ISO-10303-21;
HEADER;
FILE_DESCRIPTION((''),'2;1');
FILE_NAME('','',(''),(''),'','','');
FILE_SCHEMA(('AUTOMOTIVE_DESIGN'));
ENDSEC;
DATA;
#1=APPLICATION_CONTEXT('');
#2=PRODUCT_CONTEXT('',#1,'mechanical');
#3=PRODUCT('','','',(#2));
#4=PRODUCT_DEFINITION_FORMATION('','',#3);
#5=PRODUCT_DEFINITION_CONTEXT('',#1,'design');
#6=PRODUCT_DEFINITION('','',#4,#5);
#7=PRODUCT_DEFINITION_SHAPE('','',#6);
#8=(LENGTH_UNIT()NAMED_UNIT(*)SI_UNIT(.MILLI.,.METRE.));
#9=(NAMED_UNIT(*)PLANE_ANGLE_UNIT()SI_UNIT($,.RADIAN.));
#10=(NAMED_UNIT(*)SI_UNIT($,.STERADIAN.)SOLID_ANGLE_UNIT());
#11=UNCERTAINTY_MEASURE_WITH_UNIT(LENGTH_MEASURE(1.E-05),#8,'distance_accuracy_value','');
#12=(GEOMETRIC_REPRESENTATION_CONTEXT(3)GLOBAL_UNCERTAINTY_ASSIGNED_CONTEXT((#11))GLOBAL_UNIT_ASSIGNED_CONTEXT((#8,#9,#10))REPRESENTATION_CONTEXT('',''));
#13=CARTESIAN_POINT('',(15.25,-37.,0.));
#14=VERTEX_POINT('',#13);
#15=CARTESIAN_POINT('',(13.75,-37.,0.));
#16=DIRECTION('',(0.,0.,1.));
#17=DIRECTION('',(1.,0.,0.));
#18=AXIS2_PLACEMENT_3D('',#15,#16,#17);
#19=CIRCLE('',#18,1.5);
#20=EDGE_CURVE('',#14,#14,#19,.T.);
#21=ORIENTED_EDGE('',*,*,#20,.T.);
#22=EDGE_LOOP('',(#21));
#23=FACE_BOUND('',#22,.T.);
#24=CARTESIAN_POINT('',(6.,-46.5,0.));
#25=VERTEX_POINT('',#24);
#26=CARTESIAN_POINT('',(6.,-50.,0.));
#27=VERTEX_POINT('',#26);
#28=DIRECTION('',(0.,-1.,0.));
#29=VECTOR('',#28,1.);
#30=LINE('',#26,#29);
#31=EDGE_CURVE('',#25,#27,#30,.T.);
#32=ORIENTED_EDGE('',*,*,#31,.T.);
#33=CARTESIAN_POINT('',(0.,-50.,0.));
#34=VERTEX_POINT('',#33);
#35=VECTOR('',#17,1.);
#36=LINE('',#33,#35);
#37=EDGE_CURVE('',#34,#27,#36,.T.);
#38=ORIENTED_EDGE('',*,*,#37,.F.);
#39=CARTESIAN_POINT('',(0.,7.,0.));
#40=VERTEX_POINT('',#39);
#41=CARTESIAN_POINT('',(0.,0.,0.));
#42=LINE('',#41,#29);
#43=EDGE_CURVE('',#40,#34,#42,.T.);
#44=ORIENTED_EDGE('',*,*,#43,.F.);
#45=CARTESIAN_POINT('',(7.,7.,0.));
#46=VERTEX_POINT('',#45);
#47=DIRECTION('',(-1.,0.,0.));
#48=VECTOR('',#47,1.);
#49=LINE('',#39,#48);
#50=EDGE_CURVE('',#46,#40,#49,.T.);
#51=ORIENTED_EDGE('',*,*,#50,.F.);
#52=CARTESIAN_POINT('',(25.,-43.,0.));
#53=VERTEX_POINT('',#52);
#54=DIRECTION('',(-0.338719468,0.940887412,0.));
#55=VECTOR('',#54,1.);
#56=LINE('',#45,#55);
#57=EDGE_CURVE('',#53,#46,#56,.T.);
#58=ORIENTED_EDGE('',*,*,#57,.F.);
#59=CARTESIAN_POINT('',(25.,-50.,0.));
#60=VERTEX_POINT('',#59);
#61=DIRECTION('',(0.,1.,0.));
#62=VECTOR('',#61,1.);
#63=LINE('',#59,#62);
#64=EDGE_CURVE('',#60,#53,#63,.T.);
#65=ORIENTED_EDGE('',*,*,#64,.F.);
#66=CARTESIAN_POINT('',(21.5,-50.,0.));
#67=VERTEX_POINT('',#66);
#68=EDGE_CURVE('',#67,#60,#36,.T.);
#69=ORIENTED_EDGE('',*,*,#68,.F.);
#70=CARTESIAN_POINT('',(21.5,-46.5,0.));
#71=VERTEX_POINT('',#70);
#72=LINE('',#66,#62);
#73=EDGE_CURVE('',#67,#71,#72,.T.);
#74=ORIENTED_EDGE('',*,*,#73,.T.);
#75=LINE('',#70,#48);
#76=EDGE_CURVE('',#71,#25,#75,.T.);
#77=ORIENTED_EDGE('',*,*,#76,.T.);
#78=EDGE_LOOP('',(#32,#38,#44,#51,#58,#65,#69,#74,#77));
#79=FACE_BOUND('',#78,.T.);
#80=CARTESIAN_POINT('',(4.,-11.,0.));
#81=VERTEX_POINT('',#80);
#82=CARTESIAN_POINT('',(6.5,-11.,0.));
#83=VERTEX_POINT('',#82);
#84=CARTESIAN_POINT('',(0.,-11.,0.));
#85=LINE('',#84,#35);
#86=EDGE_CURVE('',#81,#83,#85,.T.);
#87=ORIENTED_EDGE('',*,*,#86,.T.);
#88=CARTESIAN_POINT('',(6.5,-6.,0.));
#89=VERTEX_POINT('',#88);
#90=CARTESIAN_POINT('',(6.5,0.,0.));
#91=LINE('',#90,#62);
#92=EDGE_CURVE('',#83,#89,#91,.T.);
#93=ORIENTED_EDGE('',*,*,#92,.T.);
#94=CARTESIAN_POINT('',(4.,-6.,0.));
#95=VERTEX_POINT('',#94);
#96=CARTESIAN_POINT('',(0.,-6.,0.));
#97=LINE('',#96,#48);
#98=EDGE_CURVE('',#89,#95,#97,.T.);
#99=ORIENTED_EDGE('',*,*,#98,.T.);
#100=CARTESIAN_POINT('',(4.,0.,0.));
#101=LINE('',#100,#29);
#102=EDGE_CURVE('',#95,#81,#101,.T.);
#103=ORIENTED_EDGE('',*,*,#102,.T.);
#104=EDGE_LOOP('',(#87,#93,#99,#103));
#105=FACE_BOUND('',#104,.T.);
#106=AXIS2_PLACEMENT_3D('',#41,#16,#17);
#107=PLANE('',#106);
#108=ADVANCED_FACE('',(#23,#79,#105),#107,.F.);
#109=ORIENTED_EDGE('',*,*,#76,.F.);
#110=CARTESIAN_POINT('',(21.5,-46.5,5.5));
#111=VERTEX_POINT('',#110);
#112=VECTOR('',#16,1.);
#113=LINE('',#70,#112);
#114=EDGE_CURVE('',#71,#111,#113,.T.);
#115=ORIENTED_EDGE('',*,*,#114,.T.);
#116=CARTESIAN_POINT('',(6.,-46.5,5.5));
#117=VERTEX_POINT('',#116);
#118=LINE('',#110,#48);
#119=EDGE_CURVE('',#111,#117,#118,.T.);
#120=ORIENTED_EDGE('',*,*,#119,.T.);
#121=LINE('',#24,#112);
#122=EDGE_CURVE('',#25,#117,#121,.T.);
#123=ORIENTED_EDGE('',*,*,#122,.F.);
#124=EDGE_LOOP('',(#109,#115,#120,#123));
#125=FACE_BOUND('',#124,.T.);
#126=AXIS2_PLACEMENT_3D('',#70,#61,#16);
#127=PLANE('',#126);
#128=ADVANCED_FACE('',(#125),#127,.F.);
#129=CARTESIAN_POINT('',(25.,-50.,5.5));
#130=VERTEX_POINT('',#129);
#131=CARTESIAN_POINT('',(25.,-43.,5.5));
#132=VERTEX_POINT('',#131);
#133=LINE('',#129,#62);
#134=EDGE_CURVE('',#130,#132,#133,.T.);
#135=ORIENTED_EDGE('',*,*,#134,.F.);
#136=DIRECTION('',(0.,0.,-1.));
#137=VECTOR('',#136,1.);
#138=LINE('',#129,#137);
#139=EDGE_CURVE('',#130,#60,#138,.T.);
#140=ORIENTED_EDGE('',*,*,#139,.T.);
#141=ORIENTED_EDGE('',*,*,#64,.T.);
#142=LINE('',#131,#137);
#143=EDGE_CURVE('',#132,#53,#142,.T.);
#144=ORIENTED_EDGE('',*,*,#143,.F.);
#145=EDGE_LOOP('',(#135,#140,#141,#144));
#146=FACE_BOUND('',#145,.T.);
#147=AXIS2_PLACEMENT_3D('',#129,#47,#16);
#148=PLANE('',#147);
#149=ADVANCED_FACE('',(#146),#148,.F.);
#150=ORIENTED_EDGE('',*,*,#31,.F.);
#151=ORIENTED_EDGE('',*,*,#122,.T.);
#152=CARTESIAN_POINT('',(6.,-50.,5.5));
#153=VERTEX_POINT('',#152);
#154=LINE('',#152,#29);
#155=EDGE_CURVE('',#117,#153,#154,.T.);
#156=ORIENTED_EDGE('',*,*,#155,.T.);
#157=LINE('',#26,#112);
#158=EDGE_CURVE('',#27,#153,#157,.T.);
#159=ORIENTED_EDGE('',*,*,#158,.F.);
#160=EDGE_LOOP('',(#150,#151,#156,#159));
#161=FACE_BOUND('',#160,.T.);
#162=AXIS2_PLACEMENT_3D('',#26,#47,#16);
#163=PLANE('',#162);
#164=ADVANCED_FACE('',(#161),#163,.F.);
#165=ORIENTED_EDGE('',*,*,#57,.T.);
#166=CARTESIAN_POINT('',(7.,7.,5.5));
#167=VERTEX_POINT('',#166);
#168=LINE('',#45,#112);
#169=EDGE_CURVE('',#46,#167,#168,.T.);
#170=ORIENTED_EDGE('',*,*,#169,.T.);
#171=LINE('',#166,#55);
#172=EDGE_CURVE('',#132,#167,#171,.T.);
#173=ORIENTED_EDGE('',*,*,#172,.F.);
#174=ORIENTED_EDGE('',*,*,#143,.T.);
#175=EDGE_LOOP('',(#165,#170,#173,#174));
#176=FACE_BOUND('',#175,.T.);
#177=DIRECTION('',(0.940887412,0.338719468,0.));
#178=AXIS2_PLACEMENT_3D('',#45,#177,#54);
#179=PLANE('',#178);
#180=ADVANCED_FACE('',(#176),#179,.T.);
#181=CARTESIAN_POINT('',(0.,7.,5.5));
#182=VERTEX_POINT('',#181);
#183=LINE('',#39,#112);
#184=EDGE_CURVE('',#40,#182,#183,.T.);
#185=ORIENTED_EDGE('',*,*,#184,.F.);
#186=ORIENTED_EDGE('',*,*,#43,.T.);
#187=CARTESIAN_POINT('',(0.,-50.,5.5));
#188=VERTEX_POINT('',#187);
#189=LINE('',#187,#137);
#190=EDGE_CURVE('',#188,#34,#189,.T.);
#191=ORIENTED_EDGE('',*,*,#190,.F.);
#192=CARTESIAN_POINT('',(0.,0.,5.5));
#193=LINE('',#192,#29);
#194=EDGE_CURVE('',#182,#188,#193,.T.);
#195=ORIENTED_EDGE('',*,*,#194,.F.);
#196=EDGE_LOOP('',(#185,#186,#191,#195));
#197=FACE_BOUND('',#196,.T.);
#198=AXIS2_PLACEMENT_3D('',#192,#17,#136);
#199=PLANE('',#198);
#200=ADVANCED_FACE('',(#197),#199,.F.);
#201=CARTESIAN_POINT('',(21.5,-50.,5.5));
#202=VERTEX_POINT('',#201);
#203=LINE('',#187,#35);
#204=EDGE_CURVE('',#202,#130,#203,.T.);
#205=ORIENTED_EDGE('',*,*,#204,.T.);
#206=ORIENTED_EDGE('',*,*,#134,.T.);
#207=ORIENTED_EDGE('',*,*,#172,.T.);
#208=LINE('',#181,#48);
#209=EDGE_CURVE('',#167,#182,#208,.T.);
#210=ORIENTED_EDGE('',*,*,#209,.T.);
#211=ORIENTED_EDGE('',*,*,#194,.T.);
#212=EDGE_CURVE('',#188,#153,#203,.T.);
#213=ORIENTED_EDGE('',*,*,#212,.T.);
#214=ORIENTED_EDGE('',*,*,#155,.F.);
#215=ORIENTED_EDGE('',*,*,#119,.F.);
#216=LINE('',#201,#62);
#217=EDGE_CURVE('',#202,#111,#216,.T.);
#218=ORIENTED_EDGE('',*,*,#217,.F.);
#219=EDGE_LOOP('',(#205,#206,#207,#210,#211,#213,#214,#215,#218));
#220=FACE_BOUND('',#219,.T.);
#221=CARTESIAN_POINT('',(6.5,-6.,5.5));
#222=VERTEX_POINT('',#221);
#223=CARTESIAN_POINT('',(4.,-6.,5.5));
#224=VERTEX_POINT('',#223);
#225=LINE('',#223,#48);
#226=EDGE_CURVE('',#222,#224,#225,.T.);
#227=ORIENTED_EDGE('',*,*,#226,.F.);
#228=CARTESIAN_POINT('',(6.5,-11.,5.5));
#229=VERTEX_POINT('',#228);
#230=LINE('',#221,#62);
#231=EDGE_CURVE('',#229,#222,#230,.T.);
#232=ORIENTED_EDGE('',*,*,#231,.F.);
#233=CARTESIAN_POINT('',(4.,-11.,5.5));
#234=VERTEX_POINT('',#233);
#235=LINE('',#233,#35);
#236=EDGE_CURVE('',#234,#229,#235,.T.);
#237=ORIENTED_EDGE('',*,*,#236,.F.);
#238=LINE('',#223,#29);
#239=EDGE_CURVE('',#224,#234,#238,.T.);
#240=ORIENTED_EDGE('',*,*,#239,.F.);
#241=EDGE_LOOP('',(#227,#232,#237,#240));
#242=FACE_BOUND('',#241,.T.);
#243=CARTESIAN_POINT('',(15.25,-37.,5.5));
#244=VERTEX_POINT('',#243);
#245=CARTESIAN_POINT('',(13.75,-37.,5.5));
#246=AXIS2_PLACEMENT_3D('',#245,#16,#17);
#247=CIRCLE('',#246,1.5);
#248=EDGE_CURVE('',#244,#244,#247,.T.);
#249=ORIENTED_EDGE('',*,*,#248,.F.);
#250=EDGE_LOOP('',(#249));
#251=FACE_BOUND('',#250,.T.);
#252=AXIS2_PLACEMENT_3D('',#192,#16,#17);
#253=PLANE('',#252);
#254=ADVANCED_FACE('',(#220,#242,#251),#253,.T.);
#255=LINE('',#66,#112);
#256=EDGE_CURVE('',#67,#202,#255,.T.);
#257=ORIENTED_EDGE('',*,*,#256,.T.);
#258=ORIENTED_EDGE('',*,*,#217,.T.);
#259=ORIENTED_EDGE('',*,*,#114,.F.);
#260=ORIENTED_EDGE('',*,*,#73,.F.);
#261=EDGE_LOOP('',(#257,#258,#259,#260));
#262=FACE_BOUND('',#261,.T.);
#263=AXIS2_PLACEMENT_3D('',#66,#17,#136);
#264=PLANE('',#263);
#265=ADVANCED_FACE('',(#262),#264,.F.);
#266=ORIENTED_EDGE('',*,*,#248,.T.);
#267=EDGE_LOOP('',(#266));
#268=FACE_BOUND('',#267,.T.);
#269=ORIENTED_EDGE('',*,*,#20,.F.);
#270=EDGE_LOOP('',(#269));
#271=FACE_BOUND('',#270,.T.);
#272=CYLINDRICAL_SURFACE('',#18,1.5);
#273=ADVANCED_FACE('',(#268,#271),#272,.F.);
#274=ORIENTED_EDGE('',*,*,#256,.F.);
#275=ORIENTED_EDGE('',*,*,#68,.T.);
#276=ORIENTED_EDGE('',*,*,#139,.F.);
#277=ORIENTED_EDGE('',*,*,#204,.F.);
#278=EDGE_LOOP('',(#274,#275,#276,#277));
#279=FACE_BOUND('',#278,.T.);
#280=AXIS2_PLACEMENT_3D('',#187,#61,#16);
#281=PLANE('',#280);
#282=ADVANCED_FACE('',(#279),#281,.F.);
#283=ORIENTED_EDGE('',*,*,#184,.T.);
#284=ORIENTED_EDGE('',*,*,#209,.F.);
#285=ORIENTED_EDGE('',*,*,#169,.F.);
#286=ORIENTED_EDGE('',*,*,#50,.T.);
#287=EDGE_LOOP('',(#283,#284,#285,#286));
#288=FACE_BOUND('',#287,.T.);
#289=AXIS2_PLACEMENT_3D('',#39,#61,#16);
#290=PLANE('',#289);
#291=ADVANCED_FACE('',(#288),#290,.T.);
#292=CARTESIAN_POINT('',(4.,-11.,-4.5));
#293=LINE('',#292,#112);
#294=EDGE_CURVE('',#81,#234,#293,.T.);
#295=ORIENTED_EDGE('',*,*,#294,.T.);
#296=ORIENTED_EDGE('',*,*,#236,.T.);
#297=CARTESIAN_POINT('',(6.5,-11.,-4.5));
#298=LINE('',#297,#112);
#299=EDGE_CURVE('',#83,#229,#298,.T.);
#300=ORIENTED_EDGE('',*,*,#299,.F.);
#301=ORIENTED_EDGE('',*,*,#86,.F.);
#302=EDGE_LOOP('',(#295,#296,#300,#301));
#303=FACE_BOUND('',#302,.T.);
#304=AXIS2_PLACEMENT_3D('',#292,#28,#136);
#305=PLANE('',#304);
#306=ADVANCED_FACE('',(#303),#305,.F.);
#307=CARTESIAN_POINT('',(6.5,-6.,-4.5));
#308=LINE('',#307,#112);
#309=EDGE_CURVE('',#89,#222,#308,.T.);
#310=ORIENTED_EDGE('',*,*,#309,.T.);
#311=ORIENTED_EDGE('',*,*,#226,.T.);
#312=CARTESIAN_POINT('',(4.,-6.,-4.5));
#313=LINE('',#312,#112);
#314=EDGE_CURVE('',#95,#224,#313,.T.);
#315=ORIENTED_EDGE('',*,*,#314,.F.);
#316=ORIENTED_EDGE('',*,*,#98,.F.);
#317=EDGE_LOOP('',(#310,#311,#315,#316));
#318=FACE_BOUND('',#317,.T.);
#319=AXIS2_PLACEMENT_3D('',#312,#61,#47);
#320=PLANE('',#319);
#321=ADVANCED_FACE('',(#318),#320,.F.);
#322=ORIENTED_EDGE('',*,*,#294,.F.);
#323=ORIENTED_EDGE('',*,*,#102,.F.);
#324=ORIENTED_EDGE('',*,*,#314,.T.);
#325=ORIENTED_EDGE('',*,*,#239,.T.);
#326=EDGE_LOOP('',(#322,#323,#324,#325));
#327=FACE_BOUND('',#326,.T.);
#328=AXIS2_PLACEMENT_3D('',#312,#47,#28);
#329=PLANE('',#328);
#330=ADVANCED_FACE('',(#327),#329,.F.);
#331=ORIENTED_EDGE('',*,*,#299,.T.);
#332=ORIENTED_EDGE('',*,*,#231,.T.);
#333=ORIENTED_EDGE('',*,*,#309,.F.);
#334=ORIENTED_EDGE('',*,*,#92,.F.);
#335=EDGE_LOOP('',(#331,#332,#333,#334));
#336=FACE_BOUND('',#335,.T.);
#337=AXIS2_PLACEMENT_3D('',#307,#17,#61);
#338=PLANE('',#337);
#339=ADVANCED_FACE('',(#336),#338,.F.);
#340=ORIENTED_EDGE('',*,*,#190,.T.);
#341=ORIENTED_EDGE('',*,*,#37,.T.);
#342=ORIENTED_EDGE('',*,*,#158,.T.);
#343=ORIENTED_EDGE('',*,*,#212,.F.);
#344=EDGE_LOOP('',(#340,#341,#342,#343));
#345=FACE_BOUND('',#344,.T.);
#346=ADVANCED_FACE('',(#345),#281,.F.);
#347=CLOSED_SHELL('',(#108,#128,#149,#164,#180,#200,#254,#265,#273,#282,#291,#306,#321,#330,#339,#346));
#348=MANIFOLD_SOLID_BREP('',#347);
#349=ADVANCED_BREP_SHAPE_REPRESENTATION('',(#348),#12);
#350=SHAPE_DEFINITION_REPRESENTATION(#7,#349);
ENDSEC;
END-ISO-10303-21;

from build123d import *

# Parameters (mm, degrees)
SALIENTE_EXTRUIR1_DEPTH = 5.5
SALIENTE_EXTRUIR2_DEPTH = 5.5
CROQUIS3_W              = 15.5
CROQUIS3_H              = 3.5
CORTAR_EXTRUIR1_DEPTH   = 5.5
CROQUIS4_R              = 1.5
CORTAR_EXTRUIR2_DEPTH   = 5.5
CROQUIS5_W              = 2.5
CROQUIS5_H              = 5
CORTAR_EXTRUIR3_DEPTH   = 10


with BuildPart() as part:
    # Croquis1 → Saliente-Extruir1 (new body)
    with BuildSketch(Plane.XY):
        Polygon((0, 0), (0, -50), (25, -50), (25, -43), (7, -43), (7, 0), align=None)
    extrude(amount=SALIENTE_EXTRUIR1_DEPTH)

    # Croquis2 → Saliente-Extruir2 (add)
    with BuildSketch(Plane.XY.offset(5.5)):
        Polygon((25, -43), (0, -43), (0, 7), (7, 7), align=None)
    extrude(amount=-SALIENTE_EXTRUIR2_DEPTH)

    # Croquis3 → Cortar-Extruir1 (cut)
    with BuildSketch(Plane.XY.offset(5.5)):
        with Locations((13.75, -48.25)):
            Rectangle(CROQUIS3_W, CROQUIS3_H)
    extrude(amount=-CORTAR_EXTRUIR1_DEPTH, mode=Mode.SUBTRACT)

    # Croquis4 → Cortar-Extruir2 (cut)
    with BuildSketch(Plane.XY.offset(5.5)):
        with Locations((13.75, -37)):
            Circle(CROQUIS4_R)
    extrude(amount=-CORTAR_EXTRUIR2_DEPTH, mode=Mode.SUBTRACT)

    # Croquis5 → Cortar-Extruir3 (cut)
    with BuildSketch(Plane.XY.offset(5.5)):
        with Locations((5.25, -8.5)):
            Rectangle(CROQUIS5_W, CROQUIS5_H)
    extrude(amount=-CORTAR_EXTRUIR3_DEPTH, mode=Mode.SUBTRACT)


solid = part.part
